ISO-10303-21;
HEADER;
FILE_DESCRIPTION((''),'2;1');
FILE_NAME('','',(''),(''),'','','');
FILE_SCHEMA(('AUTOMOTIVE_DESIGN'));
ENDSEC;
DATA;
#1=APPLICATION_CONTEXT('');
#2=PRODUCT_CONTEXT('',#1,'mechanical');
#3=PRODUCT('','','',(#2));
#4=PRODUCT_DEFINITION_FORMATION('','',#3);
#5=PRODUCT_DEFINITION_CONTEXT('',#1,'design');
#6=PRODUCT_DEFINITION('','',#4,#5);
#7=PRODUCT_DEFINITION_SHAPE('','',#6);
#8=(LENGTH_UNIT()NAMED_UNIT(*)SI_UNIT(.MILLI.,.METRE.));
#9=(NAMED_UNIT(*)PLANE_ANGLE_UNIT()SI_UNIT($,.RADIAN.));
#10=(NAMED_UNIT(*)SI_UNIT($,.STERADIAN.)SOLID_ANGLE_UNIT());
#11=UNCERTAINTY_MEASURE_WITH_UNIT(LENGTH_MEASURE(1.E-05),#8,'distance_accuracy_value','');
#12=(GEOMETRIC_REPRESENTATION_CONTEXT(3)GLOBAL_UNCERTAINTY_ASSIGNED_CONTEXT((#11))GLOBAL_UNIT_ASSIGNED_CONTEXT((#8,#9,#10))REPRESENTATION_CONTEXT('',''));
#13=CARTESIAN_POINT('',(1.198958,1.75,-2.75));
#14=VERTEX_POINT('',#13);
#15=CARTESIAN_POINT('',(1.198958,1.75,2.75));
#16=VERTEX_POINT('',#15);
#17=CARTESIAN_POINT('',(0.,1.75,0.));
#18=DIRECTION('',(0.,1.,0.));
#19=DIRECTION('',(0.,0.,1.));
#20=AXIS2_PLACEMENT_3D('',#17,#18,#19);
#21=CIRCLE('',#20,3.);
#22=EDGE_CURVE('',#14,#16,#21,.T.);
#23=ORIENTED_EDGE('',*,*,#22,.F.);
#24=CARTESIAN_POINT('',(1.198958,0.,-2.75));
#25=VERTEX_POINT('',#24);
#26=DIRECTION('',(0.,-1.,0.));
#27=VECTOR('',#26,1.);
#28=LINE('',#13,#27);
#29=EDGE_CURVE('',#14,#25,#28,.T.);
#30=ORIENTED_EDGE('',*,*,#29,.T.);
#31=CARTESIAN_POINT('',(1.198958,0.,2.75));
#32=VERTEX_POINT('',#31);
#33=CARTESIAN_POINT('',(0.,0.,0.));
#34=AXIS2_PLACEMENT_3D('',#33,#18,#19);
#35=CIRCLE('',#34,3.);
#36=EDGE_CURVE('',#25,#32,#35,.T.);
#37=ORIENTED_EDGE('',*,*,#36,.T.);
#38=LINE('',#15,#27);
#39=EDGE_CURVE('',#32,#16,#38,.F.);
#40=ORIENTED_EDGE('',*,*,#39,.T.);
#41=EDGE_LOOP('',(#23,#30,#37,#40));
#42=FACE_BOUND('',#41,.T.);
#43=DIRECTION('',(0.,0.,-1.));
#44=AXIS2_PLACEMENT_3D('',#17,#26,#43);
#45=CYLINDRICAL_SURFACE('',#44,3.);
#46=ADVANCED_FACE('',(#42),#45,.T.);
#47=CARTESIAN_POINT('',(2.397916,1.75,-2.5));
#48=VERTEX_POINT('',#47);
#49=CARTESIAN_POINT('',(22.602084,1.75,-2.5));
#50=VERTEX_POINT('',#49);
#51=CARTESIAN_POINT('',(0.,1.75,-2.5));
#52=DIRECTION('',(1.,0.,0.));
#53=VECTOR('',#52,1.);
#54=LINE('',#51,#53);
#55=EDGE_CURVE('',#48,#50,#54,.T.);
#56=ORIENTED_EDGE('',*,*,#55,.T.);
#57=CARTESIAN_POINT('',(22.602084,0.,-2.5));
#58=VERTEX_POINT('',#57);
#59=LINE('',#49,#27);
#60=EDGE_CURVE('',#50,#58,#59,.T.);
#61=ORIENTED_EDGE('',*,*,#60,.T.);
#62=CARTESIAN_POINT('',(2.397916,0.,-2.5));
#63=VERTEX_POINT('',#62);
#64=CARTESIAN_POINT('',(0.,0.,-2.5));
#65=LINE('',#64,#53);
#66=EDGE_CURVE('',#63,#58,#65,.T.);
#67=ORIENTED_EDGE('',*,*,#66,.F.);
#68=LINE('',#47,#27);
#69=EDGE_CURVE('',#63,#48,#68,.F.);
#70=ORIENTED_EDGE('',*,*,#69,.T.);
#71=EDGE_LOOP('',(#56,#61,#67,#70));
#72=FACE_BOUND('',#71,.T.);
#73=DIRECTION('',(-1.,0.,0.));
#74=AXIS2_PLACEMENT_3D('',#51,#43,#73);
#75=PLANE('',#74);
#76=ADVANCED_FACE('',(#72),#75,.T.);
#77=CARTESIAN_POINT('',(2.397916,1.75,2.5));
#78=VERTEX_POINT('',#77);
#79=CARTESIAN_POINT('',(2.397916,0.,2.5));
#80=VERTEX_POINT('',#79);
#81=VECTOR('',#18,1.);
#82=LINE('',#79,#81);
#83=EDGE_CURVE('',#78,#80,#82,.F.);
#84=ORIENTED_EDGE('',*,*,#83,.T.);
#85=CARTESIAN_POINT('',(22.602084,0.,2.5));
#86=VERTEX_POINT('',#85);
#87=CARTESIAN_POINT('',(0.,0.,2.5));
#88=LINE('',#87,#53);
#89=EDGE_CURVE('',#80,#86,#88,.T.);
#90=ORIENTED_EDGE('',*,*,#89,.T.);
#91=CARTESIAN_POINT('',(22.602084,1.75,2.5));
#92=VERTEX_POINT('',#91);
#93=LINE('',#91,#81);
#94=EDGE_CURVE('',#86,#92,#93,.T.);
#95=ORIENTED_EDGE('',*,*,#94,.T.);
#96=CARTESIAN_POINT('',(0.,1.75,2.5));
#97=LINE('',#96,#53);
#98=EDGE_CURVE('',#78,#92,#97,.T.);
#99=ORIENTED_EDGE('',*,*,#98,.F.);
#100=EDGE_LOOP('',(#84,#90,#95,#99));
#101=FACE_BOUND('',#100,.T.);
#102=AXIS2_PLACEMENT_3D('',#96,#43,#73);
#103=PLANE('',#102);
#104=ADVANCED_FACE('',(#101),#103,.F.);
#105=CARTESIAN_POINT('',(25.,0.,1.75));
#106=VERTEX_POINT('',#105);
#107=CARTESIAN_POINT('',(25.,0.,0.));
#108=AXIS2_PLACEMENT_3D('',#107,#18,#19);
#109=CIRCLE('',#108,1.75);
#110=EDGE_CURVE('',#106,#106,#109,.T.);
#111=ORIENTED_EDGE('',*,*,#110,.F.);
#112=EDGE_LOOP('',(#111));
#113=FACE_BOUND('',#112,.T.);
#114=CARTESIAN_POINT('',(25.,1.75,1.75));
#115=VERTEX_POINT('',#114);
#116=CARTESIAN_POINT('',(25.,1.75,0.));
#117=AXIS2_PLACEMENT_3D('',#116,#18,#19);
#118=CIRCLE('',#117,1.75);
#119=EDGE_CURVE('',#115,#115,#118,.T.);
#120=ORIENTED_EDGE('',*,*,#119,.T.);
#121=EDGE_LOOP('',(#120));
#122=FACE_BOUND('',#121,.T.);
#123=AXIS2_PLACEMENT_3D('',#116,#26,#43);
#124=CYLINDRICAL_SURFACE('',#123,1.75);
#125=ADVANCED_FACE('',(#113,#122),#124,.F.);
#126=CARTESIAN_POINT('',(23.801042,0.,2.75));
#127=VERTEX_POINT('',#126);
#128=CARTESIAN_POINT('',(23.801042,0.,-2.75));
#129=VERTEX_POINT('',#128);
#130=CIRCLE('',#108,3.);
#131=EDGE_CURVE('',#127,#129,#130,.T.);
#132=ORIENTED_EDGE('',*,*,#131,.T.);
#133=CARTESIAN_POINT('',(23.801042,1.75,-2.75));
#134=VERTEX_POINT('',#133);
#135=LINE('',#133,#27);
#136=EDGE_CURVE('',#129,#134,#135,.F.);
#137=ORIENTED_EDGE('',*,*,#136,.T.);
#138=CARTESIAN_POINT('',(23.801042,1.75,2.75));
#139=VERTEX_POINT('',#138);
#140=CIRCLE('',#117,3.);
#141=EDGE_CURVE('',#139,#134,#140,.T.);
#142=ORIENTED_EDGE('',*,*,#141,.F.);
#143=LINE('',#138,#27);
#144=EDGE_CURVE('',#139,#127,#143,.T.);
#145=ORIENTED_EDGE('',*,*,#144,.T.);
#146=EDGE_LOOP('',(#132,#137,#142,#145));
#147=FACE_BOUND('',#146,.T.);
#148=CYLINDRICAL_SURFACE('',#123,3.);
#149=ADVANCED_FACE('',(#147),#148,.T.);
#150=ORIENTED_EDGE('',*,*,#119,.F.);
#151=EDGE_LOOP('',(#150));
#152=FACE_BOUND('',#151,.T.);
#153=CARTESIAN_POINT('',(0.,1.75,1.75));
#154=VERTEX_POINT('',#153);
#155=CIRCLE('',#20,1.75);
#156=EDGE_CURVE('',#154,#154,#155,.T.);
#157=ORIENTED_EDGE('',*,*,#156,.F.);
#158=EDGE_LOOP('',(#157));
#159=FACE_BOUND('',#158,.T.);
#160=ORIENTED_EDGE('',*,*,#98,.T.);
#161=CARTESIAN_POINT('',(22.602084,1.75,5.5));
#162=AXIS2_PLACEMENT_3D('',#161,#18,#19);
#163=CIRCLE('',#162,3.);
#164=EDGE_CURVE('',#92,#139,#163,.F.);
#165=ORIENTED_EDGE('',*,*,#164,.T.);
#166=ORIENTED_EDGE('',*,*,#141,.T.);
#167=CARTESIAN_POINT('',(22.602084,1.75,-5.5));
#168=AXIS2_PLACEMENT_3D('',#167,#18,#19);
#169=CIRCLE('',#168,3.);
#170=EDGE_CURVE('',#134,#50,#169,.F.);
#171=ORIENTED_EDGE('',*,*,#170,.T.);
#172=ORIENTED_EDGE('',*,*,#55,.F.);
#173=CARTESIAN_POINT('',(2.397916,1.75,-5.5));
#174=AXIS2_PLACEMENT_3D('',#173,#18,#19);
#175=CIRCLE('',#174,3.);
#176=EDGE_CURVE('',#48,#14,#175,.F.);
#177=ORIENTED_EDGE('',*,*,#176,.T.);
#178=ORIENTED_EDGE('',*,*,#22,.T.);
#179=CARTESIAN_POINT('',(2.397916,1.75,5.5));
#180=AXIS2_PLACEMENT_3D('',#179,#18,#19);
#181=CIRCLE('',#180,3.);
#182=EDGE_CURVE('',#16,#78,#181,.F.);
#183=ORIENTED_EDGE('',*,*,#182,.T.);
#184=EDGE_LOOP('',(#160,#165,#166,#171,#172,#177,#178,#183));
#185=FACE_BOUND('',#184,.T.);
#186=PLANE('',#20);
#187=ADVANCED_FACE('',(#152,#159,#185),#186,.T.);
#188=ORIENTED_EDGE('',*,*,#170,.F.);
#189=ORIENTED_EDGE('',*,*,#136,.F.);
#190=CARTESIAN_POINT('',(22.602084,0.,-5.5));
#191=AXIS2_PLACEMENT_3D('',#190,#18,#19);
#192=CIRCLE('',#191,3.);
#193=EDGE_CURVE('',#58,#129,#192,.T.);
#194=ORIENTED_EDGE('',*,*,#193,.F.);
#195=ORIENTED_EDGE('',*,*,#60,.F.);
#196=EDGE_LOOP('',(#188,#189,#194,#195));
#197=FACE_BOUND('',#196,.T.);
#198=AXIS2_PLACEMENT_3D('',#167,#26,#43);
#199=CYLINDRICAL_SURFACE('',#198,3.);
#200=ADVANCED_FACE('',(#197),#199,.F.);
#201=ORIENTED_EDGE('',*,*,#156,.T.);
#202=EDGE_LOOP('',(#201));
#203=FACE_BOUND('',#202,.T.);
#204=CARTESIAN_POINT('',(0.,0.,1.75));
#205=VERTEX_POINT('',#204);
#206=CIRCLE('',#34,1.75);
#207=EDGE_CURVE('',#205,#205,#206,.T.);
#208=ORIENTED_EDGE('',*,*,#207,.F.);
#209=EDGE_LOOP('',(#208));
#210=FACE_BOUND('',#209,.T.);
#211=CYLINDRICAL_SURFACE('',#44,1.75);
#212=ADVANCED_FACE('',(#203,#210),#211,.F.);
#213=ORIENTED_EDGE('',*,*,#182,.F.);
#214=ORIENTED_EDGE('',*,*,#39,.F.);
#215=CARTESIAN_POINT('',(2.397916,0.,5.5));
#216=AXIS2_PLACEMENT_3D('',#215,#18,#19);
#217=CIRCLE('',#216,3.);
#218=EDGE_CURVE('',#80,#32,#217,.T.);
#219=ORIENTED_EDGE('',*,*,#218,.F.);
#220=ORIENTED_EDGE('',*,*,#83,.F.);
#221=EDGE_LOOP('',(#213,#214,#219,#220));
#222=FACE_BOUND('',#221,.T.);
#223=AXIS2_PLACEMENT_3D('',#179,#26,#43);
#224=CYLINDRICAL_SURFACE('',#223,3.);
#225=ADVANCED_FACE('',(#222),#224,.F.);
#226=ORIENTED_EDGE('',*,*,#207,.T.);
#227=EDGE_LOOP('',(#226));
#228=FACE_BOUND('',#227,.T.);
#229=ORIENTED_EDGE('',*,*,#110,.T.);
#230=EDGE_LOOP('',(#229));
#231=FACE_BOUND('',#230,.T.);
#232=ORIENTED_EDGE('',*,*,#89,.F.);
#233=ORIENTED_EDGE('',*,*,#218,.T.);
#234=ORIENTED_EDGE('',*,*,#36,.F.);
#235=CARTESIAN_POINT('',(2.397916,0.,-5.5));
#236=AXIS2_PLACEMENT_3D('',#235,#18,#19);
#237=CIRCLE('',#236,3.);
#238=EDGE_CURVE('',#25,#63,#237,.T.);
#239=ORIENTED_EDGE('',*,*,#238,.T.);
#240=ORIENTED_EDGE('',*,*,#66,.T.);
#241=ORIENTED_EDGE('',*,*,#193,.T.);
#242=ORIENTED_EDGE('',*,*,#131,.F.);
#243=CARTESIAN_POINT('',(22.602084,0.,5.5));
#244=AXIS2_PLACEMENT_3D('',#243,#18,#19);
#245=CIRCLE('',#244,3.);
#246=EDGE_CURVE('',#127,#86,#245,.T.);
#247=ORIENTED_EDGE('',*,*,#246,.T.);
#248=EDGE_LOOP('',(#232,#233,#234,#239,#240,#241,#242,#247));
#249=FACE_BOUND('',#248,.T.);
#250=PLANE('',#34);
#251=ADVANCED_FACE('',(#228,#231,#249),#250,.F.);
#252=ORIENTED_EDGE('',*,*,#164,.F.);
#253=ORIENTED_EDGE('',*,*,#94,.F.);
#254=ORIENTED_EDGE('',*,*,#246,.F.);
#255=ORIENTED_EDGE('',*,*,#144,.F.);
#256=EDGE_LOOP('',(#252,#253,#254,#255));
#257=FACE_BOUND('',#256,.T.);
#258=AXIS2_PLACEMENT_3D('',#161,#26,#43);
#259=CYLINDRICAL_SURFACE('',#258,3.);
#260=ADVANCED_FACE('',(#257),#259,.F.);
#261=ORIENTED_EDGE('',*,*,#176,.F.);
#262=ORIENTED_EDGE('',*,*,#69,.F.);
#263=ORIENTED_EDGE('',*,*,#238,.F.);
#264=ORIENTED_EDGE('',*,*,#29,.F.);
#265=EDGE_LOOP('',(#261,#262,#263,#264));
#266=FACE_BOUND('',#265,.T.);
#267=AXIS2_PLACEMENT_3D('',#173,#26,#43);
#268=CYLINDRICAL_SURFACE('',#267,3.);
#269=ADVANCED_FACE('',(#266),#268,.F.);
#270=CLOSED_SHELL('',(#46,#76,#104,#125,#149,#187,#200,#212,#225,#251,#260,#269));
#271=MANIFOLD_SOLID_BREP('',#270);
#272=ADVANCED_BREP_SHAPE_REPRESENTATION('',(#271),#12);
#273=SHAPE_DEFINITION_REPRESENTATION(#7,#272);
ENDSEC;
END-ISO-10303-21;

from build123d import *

# Parameters (mm, degrees)
SKETCH1_R           = 1.75
BOSS_EXTRUDE1_DEPTH = 1.75
FILLET1_R           = 3


with BuildPart() as part:
    # Sketch1 → Boss-Extrude1 (new body)
    with BuildSketch(Plane(origin=(0, 0, 0), x_dir=(1, 0, 0), z_dir=(0, 1, 0))):
        with BuildLine():
            ThreePointArc((1.658312395, 2.5), (-3, 0), (1.658312395, -2.5))
            Line((1.658312395, -2.5), (23.341687605, -2.5))
            ThreePointArc((23.341687605, -2.5), (28, 0), (23.341687605, 2.5))
            Line((23.341687605, 2.5), (1.658312395, 2.5))
        make_face()
        with Locations(Location((0, 0, 0), (0, 0, 270))):
            Circle(SKETCH1_R, mode=Mode.SUBTRACT)
        with Locations(Location((25, 0, 0), (0, 0, 270))):
            Circle(SKETCH1_R, mode=Mode.SUBTRACT)
    extrude(amount=BOSS_EXTRUDE1_DEPTH)

    # Fillet1
    fillet1_edges = [part.edges().sort_by_distance(p)[0] for p in [
        (23.341687605, 0.875, 2.5),
        (1.658312395, 0.875, 2.5),
        (1.658312395, 0.875, -2.5),
        (23.341687605, 0.875, -2.5),
    ]]
    fillet(fillet1_edges, radius=FILLET1_R)


solid = part.part
